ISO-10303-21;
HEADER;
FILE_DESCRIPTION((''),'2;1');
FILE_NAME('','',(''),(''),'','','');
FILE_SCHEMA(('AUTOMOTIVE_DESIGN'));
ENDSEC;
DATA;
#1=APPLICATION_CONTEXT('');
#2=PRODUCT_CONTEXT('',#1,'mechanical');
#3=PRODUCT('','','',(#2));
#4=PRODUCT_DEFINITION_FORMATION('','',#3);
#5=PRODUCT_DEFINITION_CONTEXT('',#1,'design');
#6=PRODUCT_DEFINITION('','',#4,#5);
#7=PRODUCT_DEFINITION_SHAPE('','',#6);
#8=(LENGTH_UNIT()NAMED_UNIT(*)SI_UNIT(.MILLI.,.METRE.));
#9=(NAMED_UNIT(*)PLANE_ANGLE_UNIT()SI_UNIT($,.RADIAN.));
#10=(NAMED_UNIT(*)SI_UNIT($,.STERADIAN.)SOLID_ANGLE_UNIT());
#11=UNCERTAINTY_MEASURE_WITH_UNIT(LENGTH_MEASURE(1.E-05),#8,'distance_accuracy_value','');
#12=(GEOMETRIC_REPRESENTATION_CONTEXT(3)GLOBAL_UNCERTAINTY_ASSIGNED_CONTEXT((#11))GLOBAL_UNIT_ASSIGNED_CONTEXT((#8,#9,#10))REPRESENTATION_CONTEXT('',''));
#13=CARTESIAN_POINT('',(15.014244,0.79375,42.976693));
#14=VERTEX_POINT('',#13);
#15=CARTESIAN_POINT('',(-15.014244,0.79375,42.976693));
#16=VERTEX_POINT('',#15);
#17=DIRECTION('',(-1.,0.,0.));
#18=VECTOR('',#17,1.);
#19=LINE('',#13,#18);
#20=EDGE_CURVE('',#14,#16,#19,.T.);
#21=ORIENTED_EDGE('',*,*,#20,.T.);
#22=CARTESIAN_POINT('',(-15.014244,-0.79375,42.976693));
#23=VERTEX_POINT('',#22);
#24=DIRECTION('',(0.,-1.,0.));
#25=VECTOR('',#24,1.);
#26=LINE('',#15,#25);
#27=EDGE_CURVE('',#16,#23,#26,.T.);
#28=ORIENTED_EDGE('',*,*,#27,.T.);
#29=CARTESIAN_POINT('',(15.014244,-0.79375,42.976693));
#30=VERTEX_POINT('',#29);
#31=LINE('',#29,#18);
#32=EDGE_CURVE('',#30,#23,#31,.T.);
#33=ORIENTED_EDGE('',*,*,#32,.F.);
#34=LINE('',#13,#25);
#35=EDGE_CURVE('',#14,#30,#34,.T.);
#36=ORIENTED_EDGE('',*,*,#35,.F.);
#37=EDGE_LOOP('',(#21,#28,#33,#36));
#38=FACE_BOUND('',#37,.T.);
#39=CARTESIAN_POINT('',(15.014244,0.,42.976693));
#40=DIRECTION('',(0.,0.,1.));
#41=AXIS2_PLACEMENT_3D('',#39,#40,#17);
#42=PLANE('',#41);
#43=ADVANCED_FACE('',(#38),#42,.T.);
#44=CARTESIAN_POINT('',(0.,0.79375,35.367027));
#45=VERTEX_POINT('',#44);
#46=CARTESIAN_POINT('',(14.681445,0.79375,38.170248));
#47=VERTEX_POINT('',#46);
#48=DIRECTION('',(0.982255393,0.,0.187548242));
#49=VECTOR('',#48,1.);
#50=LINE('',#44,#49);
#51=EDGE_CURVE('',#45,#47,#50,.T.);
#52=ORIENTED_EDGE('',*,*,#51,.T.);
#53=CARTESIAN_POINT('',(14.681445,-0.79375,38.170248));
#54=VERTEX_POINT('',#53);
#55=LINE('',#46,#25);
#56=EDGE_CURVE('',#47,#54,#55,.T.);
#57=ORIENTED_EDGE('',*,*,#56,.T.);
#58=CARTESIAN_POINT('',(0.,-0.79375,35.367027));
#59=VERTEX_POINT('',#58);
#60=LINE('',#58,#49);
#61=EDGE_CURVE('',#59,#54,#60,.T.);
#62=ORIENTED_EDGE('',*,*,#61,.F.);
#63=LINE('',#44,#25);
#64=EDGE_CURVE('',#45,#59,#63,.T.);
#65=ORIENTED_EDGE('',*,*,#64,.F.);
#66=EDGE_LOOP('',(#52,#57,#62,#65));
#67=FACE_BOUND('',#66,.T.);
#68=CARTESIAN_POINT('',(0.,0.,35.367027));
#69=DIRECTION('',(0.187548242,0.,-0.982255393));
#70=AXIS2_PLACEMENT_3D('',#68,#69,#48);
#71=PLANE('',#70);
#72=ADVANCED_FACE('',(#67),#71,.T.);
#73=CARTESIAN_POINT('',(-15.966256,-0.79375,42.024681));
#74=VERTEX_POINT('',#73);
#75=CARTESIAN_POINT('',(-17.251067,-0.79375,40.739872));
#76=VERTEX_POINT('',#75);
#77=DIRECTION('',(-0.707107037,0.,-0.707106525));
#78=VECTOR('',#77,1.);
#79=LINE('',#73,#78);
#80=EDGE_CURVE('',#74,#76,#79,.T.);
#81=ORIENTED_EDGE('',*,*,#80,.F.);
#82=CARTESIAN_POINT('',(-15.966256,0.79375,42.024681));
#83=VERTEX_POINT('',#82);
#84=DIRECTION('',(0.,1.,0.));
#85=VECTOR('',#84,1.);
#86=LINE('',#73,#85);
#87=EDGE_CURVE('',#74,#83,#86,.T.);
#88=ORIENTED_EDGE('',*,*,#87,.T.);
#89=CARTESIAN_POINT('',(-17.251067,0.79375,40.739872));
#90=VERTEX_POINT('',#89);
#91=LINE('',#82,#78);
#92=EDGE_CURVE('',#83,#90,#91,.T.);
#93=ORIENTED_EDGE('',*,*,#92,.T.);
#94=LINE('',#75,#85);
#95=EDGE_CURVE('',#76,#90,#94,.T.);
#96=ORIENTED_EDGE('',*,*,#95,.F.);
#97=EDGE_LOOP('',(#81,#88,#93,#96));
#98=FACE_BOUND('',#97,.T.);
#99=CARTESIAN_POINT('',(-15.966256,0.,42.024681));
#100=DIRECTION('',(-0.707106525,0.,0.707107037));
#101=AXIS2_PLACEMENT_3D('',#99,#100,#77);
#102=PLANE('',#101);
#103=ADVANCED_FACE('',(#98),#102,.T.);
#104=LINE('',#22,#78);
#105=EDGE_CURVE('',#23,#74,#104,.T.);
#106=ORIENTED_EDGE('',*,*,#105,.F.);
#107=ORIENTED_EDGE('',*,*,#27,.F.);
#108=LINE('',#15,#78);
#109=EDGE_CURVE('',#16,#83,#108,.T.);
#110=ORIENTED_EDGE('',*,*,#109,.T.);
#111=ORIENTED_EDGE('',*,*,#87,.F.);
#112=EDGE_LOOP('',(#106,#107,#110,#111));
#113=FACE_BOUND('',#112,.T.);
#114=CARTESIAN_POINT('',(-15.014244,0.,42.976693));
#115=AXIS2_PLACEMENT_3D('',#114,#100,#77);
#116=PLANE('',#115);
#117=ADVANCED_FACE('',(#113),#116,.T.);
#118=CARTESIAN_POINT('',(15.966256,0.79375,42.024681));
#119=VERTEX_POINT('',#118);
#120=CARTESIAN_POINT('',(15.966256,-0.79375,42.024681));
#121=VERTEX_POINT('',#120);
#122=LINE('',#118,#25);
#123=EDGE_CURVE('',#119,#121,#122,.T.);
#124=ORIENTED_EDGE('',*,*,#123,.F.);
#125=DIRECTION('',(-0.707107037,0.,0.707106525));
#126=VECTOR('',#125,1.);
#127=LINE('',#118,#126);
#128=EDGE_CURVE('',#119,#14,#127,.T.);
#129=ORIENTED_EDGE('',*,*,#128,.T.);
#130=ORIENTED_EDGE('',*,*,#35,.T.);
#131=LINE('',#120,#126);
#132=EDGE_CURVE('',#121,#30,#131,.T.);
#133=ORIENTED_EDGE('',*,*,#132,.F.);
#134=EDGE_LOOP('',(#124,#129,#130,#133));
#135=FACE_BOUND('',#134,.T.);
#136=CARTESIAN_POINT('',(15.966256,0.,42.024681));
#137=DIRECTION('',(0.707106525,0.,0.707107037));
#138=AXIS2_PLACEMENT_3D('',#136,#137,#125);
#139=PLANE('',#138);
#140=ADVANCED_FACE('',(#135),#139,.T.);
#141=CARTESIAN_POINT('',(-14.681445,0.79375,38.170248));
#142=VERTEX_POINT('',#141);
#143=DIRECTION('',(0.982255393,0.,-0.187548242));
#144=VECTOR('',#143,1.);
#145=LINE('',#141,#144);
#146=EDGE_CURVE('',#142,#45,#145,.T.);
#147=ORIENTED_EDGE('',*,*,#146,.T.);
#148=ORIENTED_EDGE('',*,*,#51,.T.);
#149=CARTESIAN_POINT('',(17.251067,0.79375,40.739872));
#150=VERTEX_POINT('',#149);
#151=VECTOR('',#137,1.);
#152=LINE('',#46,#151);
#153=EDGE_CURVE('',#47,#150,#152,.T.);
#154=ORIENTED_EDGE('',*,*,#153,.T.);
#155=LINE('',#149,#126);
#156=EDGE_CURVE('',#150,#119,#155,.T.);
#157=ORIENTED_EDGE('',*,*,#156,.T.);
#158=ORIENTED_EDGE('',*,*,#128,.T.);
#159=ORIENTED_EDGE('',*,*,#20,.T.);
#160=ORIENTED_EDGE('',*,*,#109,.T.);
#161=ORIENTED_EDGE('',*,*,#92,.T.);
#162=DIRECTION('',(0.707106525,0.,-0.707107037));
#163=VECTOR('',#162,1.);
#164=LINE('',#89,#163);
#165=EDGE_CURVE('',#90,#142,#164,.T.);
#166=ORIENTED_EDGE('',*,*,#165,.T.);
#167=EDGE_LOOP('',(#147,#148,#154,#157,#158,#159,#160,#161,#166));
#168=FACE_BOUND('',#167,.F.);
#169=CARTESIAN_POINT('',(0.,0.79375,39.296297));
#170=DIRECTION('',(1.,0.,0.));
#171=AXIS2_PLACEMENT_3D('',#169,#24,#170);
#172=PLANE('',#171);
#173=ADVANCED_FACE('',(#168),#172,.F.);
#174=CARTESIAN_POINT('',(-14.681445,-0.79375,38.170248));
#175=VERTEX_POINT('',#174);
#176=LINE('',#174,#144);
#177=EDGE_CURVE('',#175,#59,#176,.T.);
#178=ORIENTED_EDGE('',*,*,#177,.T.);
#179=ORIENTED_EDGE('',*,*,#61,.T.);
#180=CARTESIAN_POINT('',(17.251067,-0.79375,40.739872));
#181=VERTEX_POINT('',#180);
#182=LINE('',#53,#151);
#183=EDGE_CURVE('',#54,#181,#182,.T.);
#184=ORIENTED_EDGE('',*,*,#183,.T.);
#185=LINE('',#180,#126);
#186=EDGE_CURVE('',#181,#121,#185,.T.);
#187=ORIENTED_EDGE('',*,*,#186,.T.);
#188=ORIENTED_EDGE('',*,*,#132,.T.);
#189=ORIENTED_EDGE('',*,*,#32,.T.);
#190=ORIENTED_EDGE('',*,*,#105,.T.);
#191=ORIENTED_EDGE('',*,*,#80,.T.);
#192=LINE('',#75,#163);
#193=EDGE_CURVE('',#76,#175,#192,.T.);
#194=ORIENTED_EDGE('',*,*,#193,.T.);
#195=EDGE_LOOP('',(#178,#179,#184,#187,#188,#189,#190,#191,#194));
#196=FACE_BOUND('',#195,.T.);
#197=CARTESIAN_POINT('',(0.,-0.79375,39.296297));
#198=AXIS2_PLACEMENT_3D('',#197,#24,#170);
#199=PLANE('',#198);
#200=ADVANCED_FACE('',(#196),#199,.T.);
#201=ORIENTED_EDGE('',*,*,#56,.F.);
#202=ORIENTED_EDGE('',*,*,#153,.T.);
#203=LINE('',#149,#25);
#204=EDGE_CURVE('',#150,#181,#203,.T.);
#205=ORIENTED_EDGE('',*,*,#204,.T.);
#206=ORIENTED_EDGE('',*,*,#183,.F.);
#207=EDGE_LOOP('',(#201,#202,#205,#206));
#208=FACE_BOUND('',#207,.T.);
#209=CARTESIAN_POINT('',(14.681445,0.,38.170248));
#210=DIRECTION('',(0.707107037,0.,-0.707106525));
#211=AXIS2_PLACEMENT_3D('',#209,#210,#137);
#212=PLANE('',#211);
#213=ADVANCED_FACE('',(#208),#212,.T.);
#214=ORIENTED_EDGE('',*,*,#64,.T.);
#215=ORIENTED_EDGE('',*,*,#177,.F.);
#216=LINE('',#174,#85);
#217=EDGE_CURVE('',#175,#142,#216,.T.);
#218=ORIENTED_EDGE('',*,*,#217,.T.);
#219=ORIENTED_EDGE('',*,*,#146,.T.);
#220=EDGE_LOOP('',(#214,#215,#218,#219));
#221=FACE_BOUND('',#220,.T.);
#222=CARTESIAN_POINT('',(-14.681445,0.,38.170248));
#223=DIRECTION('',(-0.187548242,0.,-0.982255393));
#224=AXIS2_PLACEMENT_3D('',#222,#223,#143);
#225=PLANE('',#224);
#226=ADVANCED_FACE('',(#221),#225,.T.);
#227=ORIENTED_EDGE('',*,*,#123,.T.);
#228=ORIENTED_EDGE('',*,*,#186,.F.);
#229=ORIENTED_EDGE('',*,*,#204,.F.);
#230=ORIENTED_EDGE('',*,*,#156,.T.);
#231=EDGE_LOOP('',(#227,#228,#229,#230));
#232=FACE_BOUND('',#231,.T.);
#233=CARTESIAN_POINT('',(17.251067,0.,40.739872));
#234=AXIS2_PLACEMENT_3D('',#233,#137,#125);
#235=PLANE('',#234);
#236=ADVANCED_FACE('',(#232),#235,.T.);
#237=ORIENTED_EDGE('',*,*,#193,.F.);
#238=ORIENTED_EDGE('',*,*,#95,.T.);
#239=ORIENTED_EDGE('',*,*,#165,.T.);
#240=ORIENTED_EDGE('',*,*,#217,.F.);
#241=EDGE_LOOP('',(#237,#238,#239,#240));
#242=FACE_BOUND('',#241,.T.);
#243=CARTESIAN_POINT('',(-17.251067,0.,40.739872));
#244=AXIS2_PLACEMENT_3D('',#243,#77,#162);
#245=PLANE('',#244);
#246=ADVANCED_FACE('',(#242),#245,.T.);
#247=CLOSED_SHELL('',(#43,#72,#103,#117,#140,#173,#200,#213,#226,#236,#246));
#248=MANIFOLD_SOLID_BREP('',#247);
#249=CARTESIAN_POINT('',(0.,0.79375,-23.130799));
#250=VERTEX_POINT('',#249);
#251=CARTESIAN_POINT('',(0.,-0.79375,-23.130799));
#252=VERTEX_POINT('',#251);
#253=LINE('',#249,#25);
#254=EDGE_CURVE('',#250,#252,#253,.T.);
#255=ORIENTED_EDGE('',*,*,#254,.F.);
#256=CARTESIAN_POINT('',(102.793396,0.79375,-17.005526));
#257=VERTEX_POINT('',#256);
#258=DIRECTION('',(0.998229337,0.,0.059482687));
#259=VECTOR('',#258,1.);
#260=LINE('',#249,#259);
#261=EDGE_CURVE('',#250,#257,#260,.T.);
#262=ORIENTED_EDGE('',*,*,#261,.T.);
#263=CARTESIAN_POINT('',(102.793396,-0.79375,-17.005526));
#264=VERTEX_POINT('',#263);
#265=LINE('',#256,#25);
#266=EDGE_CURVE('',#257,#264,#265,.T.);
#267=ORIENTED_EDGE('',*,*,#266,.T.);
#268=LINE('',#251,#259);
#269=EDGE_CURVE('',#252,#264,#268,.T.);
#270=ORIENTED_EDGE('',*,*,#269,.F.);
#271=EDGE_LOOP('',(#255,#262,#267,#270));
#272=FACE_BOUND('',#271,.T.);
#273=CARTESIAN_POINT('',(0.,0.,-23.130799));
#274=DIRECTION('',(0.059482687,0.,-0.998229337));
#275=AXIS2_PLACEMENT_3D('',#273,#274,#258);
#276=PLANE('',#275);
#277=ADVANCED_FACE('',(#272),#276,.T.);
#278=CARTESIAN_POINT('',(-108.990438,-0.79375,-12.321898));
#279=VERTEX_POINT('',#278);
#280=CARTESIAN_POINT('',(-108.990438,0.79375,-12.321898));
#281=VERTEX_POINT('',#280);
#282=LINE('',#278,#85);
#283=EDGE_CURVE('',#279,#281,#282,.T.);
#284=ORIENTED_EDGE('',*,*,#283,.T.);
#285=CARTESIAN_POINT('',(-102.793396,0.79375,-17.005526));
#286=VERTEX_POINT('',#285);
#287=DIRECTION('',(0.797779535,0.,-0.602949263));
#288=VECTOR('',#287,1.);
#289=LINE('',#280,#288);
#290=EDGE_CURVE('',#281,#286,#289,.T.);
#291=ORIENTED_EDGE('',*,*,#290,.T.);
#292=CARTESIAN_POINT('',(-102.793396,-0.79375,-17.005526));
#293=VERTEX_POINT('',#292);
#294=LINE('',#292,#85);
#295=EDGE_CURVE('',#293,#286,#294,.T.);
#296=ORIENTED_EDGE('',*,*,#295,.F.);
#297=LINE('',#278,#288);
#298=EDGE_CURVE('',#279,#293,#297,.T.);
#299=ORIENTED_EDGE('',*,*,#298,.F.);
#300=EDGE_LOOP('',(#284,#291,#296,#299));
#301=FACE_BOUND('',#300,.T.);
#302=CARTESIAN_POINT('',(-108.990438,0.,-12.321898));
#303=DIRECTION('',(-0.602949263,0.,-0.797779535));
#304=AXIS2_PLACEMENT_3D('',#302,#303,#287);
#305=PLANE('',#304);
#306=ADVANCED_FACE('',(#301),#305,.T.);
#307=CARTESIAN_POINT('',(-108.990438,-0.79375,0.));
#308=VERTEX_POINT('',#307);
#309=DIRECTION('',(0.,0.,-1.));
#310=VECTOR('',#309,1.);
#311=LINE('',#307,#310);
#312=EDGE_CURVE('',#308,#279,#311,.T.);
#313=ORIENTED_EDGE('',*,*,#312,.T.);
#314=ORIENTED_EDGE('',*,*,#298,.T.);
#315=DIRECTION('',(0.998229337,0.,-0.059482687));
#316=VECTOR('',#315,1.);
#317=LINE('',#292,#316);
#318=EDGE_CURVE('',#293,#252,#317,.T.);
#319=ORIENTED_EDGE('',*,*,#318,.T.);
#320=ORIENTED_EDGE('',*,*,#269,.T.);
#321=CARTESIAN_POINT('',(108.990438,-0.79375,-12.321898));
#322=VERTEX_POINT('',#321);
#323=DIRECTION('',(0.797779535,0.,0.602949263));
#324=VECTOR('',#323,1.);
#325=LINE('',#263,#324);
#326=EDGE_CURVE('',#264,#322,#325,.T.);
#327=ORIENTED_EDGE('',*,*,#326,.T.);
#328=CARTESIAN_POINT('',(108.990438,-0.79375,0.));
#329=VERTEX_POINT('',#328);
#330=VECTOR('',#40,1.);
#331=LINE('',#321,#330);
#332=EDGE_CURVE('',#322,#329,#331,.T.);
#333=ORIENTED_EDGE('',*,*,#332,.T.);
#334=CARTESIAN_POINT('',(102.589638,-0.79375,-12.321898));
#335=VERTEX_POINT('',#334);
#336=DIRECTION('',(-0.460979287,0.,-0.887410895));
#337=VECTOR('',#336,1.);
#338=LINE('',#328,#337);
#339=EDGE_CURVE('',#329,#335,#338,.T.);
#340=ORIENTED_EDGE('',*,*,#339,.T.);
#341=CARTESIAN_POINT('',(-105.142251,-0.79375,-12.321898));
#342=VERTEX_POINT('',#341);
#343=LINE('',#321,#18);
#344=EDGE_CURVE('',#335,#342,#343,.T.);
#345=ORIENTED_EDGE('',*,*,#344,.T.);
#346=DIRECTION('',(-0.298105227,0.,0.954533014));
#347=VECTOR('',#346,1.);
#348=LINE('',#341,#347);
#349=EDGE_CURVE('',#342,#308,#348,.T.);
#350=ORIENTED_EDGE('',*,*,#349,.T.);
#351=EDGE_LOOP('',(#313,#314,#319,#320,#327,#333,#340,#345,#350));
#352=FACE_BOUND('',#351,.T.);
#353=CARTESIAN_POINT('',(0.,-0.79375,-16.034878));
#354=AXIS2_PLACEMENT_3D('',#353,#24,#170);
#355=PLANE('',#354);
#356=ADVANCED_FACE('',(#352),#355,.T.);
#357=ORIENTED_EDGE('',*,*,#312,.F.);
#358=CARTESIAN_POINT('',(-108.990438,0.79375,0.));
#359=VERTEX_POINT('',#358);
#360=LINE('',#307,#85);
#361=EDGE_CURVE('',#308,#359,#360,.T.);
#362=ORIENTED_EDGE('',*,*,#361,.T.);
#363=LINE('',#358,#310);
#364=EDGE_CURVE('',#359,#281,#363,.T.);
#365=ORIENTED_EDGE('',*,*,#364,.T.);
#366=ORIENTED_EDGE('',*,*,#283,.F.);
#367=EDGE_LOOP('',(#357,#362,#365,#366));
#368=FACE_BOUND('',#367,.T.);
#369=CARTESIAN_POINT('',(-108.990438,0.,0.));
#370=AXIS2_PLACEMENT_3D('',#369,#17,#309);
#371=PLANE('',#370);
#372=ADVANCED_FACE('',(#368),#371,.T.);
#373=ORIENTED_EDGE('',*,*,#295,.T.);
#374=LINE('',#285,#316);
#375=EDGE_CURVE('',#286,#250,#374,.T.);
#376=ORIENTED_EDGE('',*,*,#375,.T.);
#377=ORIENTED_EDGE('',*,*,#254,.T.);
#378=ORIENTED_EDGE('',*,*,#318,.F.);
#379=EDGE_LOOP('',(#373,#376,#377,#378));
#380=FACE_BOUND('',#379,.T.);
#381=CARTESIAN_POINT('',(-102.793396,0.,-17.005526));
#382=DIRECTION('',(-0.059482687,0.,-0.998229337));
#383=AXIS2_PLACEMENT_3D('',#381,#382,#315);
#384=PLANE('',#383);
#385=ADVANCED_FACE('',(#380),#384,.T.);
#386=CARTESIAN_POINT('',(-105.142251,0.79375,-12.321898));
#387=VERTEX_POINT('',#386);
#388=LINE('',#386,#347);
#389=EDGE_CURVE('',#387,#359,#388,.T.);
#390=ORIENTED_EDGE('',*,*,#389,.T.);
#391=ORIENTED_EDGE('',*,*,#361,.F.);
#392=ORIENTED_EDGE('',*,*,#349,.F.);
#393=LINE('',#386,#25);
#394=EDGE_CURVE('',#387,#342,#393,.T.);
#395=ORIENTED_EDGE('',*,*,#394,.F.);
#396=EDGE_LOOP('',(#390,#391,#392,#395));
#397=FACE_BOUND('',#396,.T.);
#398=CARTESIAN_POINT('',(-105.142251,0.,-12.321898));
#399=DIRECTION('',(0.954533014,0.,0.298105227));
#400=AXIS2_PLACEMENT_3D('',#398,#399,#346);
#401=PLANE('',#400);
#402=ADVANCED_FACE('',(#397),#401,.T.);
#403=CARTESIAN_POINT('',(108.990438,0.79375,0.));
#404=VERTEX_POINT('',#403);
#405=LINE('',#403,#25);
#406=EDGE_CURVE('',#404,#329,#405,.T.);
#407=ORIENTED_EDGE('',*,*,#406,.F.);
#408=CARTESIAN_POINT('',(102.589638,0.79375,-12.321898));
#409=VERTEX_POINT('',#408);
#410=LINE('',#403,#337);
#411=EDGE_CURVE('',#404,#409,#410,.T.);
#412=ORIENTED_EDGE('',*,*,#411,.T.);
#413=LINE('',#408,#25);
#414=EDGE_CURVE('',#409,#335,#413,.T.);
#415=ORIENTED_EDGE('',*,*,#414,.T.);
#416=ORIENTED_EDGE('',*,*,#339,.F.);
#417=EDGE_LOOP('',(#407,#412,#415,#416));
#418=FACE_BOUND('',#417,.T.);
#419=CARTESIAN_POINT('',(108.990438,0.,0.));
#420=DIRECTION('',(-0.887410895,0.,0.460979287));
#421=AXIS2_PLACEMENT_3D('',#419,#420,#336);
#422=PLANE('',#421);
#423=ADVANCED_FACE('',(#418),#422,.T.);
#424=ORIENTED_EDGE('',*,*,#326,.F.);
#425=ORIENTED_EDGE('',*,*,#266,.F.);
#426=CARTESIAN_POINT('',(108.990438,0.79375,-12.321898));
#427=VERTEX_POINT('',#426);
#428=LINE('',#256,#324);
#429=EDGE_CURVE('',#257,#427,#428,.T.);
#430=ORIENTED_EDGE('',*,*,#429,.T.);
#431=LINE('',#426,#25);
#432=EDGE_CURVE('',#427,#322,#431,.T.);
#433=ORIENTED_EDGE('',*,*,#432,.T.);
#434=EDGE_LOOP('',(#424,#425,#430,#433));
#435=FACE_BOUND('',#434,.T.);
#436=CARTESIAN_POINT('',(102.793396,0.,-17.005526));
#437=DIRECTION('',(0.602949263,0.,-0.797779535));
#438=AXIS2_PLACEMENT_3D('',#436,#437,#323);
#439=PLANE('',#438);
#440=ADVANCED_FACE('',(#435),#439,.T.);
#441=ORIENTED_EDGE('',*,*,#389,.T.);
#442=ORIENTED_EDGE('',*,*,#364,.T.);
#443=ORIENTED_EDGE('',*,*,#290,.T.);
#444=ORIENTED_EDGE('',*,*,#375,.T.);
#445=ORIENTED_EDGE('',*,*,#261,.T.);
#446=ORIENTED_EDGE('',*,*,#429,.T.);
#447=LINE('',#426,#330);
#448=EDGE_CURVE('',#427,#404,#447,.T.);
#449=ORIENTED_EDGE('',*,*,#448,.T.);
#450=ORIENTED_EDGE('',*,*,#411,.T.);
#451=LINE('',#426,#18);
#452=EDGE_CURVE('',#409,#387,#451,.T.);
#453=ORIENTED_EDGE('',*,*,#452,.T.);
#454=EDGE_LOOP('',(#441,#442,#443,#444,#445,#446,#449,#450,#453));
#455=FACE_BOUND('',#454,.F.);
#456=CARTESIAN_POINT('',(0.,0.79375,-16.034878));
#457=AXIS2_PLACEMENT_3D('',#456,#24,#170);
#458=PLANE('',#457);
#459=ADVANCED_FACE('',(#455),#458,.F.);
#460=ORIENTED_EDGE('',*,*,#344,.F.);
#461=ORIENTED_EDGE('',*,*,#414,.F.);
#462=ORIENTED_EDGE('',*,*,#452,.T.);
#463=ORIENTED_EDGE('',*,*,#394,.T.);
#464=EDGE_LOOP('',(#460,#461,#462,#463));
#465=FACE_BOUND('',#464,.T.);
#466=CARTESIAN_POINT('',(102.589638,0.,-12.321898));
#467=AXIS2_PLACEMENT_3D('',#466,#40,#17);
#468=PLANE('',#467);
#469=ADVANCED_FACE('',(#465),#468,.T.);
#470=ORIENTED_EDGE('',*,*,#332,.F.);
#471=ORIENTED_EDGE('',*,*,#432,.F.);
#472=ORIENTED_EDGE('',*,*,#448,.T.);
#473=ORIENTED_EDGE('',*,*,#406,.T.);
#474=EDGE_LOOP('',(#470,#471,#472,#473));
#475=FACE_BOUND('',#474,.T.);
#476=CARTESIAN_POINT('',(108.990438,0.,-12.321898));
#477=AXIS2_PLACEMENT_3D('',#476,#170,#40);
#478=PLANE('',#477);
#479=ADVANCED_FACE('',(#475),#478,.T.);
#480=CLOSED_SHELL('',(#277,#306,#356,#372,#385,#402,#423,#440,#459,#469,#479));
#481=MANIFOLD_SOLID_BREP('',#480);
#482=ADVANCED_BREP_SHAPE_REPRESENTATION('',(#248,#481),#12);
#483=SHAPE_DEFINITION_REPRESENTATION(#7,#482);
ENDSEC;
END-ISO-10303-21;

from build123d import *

# Parameters (mm, degrees)
F0_W     = 18.1247375776
F0_H     = 4.0092900416
F1_DEPTH = 0.79375


with BuildPart() as f1:
    # F0 (on Front) → F1 (new body, symmetric)
    with BuildSketch(Plane.XZ):
        Polygon((-102.7933955193, -17.0055255294), (0, -23.1307987124), (102.7933955193, -17.0055255294), (108.9904382825, -12.3218977824), (102.5896382825, -12.3218977824), (0, -12.3218977824), (-105.1422506571, -12.3218977824), (-108.9904382825, -12.3218977824), align=None)
        with Locations((-40.4761875325, -17.7724484958)):
            Rectangle(F0_W, F0_H, mode=Mode.SUBTRACT)
        with Locations((40.4761875325, -17.7724484958)):
            Rectangle(F0_W, F0_H, mode=Mode.SUBTRACT)
        with Locations((-40.4761875325, -17.7724484958)):
            Rectangle(F0_W, F0_H)
        with Locations((40.4761875325, -17.7724484958)):
            Rectangle(F0_W, F0_H)
        Polygon((102.5896382825, -12.3218977824), (108.9904382825, -12.3218977824), (108.9904382825, 0), align=None)
        Polygon((-108.9904382825, 0), (-108.9904382825, -12.3218977824), (-105.1422506571, -12.3218977824), align=None)
    extrude(amount=F1_DEPTH, both=True)


with BuildPart() as f1b:
    # F0 (on Front) → F1, piece 2 (new body, symmetric)
    with BuildSketch(Plane.XZ):
        Polygon((-14.6814454347, 38.17024827), (0, 35.3670269251), (14.6814454347, 38.17024827), (17.2510668635, 40.7398715615), (15.9662561491, 42.0246813446), (0, 40.7398715615), (-15.9662561491, 42.0246813446), (-17.2510668635, 40.7398715615), align=None)
        Polygon((-15.0142441659, 42.9766926378), (-15.9662561491, 42.0246813446), (0, 40.7398715615), (15.9662561491, 42.0246813446), (15.0142441659, 42.9766926378), (0, 42.9766926378), align=None)
    extrude(amount=F1_DEPTH, both=True)


solid = Compound([f1.part, f1b.part])
